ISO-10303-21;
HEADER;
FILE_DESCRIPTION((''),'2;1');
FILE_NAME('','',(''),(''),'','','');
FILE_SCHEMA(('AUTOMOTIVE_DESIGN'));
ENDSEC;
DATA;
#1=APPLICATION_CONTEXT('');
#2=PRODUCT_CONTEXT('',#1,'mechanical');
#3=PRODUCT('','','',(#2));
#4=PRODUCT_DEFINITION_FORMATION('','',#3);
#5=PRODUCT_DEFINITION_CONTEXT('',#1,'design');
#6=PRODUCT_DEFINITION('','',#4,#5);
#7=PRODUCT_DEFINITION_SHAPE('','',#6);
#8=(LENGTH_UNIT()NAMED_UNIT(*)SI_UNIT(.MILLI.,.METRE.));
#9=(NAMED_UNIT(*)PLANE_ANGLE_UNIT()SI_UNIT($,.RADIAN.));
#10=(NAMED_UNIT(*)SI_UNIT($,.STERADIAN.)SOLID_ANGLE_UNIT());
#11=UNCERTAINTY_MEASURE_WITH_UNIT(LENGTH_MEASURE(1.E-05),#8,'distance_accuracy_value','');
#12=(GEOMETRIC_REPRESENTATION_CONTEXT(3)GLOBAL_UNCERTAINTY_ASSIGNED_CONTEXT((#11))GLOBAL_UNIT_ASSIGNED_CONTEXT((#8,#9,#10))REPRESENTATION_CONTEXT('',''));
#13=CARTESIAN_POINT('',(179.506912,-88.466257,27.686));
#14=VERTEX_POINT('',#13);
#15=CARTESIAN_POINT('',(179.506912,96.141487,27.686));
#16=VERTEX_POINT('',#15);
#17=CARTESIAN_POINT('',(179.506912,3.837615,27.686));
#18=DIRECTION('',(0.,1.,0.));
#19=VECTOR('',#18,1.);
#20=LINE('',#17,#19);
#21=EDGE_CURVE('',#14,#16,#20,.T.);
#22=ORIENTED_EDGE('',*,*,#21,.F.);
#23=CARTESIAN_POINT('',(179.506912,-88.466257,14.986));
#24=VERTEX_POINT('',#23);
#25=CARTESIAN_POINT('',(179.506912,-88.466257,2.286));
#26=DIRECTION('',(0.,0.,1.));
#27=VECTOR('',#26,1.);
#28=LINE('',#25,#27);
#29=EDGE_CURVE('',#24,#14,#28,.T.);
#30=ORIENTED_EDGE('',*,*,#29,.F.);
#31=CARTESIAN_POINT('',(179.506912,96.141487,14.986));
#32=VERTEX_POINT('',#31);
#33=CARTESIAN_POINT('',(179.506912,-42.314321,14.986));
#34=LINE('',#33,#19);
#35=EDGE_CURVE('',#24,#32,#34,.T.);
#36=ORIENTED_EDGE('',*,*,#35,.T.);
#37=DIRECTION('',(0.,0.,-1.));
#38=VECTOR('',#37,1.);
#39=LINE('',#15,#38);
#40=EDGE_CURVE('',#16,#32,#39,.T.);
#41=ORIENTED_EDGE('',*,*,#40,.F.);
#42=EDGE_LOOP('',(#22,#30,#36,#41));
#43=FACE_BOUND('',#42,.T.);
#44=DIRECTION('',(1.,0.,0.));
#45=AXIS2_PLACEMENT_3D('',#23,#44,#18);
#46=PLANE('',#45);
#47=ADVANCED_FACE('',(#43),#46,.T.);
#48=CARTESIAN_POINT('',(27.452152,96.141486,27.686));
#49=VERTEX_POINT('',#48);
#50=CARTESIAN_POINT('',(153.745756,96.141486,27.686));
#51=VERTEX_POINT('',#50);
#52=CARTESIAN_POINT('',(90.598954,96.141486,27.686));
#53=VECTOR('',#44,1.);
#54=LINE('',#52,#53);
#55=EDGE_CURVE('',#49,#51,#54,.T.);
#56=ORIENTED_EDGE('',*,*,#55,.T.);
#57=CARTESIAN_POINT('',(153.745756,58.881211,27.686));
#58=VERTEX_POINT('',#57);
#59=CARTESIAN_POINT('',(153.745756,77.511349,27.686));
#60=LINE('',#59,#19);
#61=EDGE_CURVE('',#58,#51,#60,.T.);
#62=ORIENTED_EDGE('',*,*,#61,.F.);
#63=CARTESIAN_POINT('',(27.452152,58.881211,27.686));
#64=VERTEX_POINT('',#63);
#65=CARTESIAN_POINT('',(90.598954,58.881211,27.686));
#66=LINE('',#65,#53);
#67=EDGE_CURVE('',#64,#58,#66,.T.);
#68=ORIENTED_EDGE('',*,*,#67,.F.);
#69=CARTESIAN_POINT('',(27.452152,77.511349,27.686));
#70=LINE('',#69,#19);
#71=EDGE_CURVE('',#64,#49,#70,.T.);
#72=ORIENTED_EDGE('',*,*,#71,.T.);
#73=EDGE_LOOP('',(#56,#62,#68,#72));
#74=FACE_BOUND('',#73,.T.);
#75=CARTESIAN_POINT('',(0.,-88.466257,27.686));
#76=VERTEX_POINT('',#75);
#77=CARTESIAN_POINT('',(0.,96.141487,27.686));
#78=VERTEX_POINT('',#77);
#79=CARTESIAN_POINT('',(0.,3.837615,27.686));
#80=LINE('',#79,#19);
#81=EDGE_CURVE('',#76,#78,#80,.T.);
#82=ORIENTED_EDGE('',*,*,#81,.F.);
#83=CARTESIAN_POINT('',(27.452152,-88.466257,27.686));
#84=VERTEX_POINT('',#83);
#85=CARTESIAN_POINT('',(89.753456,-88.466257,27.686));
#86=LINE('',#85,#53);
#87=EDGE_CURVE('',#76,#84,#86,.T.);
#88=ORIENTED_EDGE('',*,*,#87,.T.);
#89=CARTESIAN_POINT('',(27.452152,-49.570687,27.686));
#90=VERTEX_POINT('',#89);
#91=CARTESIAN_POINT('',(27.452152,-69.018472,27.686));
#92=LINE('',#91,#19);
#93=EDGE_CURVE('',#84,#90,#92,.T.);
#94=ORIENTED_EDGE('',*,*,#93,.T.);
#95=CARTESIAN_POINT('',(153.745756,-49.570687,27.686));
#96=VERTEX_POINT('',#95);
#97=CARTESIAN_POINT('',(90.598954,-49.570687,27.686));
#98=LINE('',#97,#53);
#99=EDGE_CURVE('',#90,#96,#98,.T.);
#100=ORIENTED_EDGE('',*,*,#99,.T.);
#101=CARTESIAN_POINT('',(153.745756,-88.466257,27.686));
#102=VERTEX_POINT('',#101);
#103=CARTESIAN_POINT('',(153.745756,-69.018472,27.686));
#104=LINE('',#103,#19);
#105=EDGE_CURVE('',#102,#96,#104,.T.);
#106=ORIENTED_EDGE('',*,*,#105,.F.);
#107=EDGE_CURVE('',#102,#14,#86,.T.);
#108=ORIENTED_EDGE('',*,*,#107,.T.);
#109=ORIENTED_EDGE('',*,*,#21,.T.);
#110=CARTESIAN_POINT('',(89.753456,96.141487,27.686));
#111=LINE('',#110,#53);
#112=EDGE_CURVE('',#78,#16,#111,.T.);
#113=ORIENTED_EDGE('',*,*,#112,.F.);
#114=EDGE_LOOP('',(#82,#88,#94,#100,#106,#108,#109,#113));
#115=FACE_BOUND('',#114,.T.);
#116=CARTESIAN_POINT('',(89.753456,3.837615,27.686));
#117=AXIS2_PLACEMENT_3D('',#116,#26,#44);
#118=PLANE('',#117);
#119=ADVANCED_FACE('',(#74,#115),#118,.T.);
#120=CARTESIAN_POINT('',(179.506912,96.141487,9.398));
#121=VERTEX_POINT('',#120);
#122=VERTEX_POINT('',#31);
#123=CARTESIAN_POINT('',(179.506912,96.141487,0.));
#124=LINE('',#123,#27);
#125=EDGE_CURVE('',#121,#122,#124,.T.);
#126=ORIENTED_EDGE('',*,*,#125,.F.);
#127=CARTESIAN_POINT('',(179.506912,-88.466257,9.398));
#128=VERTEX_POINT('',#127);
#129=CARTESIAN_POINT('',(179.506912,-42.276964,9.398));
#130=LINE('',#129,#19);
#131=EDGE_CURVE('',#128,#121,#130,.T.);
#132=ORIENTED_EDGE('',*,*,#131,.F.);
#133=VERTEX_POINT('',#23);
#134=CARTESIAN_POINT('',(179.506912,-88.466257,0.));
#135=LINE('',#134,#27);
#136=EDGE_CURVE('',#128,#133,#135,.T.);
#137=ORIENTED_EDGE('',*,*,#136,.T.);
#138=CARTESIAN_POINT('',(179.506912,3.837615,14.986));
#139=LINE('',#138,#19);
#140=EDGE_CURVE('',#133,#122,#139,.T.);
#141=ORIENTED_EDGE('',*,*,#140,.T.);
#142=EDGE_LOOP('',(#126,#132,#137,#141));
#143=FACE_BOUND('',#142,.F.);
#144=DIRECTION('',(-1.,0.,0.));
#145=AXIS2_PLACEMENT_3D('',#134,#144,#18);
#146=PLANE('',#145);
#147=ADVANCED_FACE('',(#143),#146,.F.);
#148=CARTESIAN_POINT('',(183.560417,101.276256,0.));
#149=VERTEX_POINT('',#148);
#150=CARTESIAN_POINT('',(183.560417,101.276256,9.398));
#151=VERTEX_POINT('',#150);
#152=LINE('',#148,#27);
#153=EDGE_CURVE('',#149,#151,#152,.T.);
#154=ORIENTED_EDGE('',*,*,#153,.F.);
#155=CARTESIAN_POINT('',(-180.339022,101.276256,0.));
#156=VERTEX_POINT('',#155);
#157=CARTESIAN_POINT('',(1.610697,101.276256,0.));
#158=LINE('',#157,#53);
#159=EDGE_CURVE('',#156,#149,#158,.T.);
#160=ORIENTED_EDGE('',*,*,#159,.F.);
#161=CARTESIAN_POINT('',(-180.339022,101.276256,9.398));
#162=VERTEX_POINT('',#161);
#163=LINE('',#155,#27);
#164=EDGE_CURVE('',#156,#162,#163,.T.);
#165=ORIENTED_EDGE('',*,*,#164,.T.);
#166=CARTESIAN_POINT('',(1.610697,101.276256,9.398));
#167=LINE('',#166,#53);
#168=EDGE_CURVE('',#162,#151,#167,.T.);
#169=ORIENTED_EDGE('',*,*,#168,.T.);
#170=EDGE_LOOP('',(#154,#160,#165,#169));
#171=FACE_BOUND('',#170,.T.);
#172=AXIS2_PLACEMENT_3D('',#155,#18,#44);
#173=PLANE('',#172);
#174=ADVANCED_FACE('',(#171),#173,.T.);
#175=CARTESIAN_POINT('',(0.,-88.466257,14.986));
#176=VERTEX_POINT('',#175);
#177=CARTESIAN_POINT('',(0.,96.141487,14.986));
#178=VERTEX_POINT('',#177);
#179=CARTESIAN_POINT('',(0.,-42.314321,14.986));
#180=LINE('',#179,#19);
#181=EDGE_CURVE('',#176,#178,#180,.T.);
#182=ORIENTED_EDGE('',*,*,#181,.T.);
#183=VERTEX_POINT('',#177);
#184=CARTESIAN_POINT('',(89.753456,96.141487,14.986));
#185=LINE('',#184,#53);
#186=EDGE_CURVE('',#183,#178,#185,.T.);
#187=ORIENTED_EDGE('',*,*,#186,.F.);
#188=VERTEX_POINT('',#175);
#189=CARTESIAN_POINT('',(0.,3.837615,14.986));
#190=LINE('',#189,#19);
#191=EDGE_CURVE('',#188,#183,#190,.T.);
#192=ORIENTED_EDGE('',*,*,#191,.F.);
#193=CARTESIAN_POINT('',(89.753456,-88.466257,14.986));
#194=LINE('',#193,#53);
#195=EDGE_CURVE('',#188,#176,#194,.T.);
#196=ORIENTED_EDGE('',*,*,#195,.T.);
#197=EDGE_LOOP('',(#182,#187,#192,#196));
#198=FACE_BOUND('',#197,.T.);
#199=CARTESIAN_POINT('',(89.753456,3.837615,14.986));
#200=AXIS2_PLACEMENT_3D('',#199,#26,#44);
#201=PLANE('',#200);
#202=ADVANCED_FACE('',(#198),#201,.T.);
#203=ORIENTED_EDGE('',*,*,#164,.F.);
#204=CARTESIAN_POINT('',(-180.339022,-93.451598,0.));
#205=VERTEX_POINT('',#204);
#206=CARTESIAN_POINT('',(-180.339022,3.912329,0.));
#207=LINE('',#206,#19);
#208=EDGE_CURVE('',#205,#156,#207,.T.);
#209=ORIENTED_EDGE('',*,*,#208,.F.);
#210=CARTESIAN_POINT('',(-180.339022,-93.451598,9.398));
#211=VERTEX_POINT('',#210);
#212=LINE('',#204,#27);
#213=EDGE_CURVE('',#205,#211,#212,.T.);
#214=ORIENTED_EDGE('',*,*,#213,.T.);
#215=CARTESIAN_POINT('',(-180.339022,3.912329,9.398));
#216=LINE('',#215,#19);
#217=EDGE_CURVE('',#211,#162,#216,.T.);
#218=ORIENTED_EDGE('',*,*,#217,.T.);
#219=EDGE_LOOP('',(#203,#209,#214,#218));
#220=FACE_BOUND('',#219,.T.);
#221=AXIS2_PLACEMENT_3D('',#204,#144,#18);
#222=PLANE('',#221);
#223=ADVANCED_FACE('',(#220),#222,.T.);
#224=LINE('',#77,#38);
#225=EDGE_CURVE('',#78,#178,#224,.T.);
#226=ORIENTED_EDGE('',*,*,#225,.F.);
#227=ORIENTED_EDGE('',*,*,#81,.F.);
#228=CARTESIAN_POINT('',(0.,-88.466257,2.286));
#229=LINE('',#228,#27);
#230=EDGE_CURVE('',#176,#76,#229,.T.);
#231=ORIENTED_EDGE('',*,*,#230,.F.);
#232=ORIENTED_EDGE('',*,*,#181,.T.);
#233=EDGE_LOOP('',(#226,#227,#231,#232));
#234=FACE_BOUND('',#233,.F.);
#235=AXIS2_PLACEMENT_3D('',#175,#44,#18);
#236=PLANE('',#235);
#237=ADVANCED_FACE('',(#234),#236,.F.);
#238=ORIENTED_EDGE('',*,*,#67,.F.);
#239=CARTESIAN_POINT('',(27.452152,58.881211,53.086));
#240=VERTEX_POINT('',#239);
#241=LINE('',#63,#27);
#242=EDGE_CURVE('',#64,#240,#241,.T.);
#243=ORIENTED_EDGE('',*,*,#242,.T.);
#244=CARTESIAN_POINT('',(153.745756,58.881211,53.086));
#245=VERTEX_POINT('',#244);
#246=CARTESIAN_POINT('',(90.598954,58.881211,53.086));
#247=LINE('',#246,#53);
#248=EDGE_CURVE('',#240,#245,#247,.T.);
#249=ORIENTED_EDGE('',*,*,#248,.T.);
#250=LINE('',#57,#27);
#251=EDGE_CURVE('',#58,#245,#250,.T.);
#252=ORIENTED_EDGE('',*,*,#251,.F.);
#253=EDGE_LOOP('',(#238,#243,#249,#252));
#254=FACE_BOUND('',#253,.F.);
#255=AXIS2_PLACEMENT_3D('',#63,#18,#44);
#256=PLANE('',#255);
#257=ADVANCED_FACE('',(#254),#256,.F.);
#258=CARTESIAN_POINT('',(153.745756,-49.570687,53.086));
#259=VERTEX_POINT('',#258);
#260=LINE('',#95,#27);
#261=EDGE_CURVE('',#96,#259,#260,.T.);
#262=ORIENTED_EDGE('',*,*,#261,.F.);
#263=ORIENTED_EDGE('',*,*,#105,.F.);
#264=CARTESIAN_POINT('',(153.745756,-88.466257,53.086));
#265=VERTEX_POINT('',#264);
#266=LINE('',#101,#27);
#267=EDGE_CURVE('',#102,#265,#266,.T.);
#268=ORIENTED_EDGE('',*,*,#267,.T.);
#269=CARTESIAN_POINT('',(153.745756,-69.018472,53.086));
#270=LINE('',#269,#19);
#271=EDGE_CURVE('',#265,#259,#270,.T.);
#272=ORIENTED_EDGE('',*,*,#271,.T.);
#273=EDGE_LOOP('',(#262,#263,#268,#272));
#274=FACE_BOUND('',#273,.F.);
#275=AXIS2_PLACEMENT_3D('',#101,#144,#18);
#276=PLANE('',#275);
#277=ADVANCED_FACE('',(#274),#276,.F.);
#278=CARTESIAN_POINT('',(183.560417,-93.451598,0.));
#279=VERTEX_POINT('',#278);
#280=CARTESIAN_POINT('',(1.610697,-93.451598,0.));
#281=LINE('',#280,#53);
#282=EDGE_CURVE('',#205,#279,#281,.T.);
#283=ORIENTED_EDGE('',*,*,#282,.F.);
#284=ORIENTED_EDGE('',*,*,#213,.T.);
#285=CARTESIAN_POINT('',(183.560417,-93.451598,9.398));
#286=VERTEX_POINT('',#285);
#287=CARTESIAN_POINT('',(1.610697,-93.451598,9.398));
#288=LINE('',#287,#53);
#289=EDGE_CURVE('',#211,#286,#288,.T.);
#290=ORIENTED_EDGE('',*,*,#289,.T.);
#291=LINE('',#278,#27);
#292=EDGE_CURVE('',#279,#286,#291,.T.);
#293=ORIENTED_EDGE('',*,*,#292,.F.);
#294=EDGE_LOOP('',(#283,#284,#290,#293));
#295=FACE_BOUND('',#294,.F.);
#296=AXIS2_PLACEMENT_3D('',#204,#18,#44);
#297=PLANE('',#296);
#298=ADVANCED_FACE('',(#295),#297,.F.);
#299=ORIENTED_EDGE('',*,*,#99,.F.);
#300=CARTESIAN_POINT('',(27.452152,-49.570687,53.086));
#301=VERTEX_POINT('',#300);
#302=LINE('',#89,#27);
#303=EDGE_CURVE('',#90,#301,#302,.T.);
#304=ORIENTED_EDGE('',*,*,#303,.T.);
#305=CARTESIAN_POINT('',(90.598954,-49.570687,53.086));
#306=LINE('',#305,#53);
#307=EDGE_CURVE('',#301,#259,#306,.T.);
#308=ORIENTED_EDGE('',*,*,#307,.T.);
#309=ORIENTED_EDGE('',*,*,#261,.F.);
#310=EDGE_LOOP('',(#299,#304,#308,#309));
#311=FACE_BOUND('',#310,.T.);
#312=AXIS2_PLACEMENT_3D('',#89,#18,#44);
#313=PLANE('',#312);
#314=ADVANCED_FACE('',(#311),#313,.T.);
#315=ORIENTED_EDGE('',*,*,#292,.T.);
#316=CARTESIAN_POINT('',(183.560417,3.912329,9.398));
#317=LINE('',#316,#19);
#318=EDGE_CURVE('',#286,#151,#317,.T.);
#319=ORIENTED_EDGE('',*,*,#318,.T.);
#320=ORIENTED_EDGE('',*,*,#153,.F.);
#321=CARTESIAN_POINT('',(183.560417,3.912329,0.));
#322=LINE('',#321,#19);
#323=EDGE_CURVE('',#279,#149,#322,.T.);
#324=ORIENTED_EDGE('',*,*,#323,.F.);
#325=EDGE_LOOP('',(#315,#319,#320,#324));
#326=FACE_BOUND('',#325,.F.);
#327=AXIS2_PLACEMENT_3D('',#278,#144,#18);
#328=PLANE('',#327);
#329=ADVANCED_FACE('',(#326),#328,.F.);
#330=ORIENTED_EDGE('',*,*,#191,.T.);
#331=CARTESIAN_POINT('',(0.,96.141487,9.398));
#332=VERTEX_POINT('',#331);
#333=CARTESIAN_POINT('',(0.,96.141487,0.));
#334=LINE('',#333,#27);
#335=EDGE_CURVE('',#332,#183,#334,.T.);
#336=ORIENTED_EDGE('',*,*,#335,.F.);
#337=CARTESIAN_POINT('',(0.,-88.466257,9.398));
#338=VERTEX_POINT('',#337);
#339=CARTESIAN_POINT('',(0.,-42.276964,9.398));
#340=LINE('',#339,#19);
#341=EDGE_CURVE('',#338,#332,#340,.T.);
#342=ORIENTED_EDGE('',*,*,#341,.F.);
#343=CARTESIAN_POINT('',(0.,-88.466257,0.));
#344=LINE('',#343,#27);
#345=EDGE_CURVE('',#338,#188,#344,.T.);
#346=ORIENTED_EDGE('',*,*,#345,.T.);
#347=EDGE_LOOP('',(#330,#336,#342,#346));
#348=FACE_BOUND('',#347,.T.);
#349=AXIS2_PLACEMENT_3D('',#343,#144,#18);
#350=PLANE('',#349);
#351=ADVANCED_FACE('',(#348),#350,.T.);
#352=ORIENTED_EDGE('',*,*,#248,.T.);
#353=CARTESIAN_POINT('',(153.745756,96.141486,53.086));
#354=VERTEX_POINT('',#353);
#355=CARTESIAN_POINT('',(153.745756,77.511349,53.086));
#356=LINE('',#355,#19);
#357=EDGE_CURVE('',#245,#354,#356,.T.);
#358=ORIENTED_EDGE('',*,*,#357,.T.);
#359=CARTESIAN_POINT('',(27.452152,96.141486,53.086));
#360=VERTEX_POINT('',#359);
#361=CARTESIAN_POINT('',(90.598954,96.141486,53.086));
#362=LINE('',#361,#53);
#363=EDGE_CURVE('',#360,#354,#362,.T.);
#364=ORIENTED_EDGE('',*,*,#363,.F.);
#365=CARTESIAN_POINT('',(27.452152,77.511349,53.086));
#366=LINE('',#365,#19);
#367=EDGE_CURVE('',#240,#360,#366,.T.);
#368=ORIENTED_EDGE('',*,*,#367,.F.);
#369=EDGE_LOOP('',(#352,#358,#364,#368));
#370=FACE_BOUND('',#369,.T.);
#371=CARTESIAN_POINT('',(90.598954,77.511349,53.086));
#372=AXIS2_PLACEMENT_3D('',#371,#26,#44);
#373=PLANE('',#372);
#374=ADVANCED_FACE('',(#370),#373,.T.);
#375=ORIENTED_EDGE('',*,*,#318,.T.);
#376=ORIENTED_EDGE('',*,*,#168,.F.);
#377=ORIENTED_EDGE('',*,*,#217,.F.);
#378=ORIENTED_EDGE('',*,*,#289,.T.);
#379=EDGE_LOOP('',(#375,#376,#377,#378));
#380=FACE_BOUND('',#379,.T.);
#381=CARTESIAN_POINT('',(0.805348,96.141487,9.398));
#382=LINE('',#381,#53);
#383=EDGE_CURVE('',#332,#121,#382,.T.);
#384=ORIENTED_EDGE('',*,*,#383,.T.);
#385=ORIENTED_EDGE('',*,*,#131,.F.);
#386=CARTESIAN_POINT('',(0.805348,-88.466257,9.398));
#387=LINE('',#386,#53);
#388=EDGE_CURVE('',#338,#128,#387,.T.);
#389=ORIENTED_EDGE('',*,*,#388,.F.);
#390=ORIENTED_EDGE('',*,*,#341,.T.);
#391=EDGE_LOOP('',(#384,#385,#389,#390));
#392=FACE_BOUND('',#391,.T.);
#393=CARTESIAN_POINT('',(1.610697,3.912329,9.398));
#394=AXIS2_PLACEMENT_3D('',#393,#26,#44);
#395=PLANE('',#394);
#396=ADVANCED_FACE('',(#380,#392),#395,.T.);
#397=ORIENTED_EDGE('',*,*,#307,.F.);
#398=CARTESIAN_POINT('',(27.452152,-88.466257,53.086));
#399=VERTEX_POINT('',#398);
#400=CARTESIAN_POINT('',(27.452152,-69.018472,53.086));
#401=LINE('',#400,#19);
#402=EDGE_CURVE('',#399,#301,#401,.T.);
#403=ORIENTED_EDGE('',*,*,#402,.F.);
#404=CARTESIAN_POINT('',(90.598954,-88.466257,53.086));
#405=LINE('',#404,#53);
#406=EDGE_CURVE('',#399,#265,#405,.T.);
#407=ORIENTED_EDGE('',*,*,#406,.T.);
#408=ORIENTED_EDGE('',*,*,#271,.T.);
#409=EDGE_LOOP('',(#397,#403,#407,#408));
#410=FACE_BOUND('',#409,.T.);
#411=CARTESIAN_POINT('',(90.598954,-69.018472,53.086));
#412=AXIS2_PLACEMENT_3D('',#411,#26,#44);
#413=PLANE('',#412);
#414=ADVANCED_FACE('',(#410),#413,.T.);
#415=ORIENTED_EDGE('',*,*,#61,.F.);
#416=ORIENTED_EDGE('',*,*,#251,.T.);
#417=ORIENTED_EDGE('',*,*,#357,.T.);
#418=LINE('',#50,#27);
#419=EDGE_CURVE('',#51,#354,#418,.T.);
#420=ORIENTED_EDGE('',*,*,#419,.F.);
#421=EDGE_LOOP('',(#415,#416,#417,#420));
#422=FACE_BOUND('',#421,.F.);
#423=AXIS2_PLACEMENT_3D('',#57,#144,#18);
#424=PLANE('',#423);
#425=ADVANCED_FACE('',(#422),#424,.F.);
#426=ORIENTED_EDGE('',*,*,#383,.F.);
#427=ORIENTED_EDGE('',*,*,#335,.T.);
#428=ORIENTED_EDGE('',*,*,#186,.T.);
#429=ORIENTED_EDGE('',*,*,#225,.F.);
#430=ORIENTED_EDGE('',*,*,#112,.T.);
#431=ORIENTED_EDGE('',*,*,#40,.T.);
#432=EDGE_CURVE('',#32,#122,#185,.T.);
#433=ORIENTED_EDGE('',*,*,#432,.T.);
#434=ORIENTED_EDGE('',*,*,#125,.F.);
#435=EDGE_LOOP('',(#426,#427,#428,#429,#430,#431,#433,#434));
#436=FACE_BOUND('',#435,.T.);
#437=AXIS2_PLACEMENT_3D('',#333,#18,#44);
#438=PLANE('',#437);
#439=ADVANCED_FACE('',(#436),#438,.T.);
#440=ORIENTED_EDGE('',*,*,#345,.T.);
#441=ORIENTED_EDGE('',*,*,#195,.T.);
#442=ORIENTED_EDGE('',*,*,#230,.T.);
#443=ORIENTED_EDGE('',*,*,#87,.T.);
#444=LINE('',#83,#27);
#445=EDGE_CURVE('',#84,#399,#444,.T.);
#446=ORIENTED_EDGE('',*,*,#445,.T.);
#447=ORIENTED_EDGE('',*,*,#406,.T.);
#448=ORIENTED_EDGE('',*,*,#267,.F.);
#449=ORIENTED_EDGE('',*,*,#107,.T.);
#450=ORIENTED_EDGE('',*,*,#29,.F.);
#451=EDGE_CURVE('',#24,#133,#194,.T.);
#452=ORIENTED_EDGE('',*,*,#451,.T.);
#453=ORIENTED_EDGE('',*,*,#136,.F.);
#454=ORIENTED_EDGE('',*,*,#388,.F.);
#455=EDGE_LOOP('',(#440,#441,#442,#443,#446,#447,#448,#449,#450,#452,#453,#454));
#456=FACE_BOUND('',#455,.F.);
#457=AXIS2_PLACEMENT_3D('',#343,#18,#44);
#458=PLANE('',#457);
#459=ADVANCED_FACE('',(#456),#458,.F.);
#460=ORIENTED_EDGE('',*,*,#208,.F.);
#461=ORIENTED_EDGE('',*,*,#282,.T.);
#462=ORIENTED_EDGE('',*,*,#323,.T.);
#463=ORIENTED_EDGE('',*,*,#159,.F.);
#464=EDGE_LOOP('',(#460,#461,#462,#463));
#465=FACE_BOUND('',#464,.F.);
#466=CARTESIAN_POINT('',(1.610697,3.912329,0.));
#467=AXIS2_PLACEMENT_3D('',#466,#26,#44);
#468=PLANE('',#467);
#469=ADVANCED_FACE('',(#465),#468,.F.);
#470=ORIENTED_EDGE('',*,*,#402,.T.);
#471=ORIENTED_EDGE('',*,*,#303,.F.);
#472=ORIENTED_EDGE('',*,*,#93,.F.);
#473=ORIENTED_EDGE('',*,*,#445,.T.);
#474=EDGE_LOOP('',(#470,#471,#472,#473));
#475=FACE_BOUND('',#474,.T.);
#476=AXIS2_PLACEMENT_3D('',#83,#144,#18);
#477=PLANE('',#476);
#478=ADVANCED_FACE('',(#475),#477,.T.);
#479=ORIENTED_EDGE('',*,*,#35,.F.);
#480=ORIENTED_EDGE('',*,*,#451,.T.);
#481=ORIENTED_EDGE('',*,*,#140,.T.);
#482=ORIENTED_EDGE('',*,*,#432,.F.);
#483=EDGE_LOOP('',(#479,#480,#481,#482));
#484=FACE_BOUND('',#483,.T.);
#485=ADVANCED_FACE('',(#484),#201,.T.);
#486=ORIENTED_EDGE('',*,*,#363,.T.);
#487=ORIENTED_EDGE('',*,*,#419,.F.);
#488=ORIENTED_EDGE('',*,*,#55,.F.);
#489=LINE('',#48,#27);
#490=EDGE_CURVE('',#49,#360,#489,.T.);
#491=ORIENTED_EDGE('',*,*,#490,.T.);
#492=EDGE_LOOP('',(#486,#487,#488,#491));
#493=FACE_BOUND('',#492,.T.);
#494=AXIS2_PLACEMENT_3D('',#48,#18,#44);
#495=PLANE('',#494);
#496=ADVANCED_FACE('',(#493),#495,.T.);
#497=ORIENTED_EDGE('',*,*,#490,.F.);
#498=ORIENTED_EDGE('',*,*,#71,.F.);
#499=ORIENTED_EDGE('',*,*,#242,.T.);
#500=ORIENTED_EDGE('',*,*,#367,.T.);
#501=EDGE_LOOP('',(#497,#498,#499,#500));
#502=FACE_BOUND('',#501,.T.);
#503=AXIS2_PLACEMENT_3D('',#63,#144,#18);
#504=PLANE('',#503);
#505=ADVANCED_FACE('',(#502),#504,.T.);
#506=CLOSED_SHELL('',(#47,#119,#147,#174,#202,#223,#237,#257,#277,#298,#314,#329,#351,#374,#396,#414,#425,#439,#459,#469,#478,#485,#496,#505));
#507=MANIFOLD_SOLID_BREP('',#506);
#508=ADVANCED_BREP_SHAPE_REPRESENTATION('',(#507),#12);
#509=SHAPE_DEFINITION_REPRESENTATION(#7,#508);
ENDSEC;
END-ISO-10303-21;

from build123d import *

# Parameters (mm, degrees)
F1_W      = 179.506913
F1_H      = 184.607744
F2_DEPTH  = 14.986
F2_FACE_W = 179.506912
F2_FACE_H = 184.607744
F3_DEPTH  = 12.7
F4_W      = 126.293604
F4_H      = 37.260275
F4_H_2    = 38.89557
F5_DEPTH  = 25.4
F0_W      = 363.899439
F0_H      = 194.727853
F6_DEPTH  = 9.398


with BuildPart() as f2:
    # F1 (on face) → F2 (new body)
    with BuildSketch(Plane.XY):
        with Locations((89.753456, 3.837615)):
            Rectangle(F1_W, F1_H)
    extrude(amount=F2_DEPTH)

    # F2_face (on face) → F3 (join, symmetric)
    with BuildSketch(Plane(origin=(89.753456, 3.837615, 14.986), x_dir=(1, 0, 0), z_dir=(0, 0, 1))):
        Rectangle(F2_FACE_W, F2_FACE_H)
    extrude(amount=F3_DEPTH, both=True)

    # F4 (on face) → F5 (join)
    with BuildSketch(Plane.XY.offset(27.686)):
        with Locations((90.598954, 77.511349)):
            Rectangle(F4_W, F4_H)
        with Locations((90.598954, -69.018472)):
            Rectangle(F4_W, F4_H_2)
    extrude(amount=F5_DEPTH)

    # F0 (on Top) → F6 (join)
    with BuildSketch(Plane.XY):
        with Locations((1.610697, 3.912329)):
            Rectangle(F0_W, F0_H)
    extrude(amount=F6_DEPTH)


solid = f2.part
